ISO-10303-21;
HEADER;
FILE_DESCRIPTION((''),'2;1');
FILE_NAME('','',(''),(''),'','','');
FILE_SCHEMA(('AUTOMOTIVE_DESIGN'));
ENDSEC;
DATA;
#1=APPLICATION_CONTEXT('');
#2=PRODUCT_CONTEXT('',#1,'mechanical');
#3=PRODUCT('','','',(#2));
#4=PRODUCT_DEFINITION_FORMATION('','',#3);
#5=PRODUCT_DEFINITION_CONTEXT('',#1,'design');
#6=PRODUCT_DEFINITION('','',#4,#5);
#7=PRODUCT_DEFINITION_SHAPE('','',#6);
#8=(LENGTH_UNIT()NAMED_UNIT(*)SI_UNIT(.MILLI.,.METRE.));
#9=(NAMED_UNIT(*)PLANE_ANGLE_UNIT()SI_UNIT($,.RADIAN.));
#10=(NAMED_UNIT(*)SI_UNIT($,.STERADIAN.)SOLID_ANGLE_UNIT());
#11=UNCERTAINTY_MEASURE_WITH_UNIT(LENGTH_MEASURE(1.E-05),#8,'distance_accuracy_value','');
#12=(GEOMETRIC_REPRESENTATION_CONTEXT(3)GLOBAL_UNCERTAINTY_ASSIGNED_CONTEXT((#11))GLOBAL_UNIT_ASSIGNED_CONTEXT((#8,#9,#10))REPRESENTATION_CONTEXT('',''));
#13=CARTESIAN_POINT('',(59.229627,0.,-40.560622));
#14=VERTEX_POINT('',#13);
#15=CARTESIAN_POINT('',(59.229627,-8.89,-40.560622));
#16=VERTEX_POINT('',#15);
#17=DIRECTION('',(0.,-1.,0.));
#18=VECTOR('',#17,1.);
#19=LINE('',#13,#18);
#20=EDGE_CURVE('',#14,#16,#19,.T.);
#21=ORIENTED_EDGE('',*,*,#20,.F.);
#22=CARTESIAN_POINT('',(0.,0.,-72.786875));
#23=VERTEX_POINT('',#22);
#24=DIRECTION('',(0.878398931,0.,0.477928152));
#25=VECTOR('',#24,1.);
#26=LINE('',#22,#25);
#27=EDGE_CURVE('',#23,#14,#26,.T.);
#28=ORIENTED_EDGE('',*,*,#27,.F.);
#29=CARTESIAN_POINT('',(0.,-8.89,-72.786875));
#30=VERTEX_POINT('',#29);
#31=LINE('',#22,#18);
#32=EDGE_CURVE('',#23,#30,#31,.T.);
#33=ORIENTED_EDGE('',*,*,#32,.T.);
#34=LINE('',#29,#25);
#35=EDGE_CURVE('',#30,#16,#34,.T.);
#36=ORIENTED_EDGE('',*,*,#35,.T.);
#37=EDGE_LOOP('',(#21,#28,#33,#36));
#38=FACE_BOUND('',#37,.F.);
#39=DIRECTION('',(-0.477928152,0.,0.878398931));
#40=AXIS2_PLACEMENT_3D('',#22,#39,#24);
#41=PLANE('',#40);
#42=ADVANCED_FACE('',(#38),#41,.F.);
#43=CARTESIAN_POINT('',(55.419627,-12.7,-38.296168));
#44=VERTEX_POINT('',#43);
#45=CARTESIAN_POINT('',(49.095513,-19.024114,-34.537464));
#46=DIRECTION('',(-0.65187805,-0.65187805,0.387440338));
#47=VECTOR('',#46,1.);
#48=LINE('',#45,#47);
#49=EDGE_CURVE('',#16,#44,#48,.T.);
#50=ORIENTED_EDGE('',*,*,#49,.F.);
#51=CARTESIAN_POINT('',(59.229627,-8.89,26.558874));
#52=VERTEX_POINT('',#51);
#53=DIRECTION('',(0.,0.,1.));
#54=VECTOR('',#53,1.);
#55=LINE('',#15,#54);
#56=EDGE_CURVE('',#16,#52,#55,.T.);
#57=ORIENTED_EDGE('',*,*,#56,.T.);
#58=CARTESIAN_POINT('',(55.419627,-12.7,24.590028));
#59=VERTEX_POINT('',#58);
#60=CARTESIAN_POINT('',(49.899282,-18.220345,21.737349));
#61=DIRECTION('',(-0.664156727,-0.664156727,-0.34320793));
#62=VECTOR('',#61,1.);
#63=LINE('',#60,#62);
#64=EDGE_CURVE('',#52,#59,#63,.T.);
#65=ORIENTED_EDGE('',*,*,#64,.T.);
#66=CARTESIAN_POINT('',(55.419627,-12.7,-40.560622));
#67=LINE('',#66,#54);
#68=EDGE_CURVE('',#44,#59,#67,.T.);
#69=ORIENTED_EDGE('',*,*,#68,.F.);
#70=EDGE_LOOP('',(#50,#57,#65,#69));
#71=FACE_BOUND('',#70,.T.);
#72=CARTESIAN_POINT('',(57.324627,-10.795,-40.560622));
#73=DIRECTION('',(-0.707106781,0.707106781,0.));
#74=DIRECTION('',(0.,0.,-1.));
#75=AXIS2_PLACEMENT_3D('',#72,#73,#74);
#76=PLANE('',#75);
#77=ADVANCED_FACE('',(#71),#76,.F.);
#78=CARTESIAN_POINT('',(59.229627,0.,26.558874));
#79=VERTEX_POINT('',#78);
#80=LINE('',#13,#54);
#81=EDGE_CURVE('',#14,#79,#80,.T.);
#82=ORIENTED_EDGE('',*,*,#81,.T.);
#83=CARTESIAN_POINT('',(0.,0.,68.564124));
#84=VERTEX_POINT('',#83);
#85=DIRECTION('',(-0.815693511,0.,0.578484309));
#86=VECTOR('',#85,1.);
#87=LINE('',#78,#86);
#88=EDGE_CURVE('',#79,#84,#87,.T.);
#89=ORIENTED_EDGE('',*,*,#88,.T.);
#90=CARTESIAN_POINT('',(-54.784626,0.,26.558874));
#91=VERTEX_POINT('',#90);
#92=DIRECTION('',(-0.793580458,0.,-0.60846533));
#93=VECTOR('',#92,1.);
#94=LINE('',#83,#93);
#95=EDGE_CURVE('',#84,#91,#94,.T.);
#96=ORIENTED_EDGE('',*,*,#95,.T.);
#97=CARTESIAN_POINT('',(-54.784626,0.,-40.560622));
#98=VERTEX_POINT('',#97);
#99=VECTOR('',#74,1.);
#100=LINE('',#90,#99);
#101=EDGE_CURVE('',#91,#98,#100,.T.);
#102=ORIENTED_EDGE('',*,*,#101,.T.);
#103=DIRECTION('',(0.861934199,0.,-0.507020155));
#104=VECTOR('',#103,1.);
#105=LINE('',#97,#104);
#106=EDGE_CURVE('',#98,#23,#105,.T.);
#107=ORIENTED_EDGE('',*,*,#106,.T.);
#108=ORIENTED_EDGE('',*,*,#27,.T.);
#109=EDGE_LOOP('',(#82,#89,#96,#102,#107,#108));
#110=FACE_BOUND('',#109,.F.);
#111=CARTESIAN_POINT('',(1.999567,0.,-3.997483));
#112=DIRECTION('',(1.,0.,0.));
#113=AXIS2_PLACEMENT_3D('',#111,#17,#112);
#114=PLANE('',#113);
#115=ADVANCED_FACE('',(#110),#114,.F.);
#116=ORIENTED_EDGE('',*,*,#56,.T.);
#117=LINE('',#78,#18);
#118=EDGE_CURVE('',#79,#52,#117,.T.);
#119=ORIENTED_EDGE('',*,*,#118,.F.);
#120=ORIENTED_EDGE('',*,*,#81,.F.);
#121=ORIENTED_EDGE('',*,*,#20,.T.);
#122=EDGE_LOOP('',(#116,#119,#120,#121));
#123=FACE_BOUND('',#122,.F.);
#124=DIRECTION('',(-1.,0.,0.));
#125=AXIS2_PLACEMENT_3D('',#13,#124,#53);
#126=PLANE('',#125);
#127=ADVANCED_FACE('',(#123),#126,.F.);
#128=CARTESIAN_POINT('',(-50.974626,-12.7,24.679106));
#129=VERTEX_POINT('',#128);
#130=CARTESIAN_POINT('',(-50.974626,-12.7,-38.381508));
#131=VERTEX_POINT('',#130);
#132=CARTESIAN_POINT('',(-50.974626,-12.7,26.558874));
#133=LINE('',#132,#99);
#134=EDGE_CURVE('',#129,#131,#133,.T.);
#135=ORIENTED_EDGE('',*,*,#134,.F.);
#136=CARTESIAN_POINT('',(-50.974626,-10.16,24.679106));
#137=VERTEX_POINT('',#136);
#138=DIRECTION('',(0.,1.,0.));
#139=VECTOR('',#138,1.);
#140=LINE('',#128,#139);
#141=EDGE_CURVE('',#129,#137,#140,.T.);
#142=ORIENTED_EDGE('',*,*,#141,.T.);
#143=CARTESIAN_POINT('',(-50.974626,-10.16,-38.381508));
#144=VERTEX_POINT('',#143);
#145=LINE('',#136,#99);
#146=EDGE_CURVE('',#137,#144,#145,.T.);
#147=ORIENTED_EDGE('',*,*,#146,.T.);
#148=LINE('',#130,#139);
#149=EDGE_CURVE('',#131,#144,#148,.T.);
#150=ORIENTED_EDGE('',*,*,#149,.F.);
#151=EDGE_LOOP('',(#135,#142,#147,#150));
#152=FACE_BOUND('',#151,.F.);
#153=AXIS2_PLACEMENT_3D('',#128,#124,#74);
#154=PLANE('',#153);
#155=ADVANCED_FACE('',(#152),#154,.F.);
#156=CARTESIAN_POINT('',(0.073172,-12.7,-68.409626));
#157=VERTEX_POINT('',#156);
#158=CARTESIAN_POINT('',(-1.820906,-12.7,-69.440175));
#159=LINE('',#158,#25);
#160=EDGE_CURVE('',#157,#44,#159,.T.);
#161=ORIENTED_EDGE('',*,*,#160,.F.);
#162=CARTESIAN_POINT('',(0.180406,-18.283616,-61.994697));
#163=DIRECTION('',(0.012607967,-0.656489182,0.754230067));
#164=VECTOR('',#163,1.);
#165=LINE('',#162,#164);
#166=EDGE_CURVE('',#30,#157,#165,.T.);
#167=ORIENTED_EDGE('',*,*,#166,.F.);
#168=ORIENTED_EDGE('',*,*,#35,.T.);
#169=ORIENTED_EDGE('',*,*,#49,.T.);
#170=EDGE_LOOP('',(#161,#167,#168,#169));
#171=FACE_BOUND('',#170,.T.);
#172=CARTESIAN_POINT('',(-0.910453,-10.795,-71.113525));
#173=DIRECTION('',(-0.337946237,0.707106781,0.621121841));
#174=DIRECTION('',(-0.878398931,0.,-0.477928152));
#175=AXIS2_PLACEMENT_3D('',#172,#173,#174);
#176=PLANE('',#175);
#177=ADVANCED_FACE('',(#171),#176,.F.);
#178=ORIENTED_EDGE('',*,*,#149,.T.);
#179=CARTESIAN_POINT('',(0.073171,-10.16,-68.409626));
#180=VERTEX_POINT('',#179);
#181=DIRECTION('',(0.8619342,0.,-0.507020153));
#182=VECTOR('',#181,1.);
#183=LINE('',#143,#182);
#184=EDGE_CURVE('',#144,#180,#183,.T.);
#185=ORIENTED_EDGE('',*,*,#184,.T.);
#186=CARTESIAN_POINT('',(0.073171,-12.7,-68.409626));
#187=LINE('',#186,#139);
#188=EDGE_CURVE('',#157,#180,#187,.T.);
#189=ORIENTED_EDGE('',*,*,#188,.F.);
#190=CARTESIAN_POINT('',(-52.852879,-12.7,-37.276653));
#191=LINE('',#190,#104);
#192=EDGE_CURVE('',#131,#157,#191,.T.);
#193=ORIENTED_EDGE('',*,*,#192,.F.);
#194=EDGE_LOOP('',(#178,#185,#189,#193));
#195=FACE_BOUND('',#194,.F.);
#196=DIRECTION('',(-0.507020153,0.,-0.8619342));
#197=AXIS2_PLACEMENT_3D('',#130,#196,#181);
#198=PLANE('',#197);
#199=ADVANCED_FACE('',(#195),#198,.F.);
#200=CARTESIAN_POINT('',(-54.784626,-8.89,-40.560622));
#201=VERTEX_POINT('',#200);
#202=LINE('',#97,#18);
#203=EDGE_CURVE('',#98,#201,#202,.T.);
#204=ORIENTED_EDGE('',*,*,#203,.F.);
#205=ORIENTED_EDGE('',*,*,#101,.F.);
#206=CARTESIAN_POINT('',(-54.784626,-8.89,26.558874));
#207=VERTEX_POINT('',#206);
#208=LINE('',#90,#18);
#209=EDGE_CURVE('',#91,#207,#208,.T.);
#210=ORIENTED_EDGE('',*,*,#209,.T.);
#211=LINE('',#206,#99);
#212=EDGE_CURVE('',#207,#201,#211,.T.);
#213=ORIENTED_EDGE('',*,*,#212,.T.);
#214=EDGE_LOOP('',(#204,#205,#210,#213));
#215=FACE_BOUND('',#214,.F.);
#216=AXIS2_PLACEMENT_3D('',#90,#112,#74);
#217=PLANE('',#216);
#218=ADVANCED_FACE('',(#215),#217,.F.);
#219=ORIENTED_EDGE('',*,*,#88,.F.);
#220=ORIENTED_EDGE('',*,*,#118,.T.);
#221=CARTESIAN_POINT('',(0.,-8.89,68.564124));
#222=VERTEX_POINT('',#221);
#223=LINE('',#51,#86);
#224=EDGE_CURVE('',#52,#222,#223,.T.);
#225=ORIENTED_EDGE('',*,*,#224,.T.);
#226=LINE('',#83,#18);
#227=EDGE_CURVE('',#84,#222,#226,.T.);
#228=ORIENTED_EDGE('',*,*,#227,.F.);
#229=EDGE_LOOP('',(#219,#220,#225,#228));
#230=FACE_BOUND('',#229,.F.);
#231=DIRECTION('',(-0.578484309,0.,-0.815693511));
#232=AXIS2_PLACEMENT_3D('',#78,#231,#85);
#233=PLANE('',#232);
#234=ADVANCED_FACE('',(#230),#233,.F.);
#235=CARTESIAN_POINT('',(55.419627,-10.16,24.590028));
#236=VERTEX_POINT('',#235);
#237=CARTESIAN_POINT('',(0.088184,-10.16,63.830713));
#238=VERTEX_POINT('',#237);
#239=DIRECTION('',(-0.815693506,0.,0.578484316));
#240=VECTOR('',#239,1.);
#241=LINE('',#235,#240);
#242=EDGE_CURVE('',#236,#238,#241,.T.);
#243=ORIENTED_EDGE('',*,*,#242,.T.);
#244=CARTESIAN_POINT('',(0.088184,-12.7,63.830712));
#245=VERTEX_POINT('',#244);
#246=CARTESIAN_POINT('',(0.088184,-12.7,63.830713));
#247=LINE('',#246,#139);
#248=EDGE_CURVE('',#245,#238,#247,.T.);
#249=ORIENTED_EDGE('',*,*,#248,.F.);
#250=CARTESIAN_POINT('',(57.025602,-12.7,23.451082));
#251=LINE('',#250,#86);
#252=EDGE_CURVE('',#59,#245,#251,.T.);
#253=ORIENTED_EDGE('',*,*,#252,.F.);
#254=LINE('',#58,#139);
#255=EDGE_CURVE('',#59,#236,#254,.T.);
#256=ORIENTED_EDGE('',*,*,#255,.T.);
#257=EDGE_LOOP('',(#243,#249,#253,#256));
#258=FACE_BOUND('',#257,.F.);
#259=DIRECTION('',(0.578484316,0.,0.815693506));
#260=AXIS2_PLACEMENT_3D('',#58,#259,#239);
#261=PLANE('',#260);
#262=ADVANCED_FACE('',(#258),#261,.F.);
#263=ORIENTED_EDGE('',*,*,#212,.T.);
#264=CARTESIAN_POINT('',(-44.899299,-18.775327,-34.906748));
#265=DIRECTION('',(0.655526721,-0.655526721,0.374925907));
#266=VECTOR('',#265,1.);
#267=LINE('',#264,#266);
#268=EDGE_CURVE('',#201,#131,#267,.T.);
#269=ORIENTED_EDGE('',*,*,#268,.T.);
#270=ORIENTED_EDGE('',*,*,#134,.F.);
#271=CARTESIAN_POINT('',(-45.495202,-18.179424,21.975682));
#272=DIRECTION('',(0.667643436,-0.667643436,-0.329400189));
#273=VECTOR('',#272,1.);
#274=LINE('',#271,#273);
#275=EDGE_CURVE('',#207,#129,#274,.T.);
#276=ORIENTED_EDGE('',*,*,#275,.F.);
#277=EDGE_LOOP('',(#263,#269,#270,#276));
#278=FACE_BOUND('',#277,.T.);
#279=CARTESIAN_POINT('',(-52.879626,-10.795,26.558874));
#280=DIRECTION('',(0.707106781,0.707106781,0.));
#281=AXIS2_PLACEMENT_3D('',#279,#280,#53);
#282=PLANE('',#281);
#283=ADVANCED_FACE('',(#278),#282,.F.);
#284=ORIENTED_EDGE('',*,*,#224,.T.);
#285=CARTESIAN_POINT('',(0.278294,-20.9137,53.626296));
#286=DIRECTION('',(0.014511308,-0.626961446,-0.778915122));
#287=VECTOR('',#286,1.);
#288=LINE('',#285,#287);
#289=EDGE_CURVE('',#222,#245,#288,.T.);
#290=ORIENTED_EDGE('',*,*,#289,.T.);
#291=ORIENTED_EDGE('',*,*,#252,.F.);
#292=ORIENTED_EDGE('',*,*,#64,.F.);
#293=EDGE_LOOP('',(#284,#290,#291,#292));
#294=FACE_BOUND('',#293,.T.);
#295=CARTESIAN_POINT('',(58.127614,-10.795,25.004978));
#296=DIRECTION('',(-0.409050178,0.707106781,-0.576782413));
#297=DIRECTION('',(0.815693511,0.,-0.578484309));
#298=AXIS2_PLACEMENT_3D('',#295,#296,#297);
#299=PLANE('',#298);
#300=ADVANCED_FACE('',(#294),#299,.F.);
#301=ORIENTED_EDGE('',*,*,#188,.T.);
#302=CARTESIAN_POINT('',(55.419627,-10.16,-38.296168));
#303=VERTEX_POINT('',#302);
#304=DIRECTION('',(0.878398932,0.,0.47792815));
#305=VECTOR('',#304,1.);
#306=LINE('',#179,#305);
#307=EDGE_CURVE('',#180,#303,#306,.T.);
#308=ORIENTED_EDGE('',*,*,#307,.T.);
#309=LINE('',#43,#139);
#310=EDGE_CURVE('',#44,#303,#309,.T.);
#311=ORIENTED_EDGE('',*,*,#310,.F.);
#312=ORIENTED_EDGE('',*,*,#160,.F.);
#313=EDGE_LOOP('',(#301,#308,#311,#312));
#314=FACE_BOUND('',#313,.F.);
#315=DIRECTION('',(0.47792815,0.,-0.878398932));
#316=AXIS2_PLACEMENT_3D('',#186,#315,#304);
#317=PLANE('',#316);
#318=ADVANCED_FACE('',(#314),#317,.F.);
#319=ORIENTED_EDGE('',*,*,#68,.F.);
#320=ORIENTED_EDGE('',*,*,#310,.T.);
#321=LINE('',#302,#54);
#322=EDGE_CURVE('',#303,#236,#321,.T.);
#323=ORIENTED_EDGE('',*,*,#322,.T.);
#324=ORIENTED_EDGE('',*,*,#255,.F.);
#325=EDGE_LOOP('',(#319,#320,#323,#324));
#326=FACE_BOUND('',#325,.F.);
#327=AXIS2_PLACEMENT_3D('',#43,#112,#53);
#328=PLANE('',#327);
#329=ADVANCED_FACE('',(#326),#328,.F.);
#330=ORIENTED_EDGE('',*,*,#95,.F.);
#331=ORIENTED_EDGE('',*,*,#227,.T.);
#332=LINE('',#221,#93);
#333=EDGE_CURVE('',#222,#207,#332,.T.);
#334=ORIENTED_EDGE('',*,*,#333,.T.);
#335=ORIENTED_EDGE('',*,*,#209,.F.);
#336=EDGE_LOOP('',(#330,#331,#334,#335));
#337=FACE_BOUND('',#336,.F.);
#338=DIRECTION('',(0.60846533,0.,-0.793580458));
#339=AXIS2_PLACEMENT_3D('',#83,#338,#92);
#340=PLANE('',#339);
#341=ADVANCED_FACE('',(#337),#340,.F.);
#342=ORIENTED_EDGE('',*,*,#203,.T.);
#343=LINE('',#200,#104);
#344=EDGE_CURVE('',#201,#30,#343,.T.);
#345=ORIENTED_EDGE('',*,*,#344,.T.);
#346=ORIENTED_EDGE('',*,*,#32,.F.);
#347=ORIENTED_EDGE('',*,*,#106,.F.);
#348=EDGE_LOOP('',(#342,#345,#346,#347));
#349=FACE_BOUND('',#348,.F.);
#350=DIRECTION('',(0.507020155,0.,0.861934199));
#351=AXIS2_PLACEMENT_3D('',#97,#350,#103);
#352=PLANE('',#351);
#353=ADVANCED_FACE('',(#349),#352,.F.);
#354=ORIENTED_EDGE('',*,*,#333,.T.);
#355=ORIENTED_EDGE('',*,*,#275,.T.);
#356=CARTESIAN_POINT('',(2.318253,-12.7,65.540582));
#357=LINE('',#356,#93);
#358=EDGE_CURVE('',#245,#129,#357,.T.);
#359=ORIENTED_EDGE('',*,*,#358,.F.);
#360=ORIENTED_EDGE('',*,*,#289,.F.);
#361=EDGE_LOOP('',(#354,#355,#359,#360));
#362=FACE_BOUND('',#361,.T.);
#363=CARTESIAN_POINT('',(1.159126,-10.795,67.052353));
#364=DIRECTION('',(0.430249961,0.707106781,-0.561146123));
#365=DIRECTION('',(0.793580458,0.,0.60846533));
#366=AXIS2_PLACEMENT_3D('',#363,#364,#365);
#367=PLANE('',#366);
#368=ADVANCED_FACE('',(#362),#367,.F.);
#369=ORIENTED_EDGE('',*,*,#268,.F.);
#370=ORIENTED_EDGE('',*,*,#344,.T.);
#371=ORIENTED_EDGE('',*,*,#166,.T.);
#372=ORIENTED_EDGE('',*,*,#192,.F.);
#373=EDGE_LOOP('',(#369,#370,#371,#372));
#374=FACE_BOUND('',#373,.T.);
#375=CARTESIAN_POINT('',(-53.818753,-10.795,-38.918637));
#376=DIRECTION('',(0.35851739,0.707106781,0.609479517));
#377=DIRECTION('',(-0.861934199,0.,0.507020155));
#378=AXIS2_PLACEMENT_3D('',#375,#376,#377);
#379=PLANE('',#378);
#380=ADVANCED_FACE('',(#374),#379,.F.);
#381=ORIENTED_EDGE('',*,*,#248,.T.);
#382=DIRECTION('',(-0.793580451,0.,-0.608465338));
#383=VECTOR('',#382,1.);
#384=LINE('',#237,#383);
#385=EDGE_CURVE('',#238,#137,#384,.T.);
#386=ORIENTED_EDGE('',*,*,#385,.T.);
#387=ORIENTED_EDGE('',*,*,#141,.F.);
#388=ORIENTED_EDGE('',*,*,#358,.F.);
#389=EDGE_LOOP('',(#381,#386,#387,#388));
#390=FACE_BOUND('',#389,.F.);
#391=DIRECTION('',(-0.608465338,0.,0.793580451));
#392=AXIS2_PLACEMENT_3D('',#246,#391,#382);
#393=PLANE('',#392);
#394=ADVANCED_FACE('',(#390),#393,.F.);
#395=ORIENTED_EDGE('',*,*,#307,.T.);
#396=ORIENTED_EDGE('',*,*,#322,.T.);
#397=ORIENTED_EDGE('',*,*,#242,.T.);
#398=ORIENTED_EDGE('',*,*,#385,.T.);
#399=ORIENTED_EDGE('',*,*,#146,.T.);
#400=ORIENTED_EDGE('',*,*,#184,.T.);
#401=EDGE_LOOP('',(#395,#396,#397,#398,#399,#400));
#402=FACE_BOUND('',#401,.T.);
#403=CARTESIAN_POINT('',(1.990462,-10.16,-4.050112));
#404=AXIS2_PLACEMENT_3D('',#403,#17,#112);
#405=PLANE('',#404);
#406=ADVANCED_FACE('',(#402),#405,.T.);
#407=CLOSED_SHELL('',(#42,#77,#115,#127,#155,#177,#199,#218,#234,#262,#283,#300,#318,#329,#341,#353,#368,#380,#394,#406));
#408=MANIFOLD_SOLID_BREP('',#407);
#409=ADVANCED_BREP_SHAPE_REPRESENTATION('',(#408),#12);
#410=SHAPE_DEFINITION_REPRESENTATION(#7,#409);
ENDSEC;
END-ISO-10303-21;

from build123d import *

# Parameters (mm, degrees)
F1_DEPTH = 12.7
F2_SIZE  = 3.81
F3_DEPTH = 2.54


with BuildPart() as f1:
    # F0 (on Front) → F1 (new body)
    with BuildSketch(Plane.XZ):
        Polygon((59.229627, 26.558874), (0, 68.564124), (-54.784626, 26.558874), (-54.784626, -40.560622), (0, -72.786875), (59.229627, -40.560622), align=None)
    extrude(amount=F1_DEPTH)

    # F2
    f2_edges = [f1.edges().sort_by_distance(p)[0] for p in [
        (59.229627, -12.7, -7.000874),
        (29.614814, -12.7, 47.561499),
        (-27.392313, -12.7, 47.561499),
        (-54.784626, -12.7, -7.000874),
        (-27.392313, -12.7, -56.673748),
        (29.614814, -12.7, -56.673748),
    ]]
    chamfer(f2_edges, length=F2_SIZE)

    # F1_face (on face) → F3 (cut)
    with BuildSketch(Plane(origin=(1.953457, -12.7, -4.300965), x_dir=(1, 0, 0), z_dir=(0, -1, 0))):
        Polygon((53.46617, -33.995203), (53.46617, 28.890993), (-1.865273, 68.131678), (-52.928083, 28.980071), (-52.928083, -34.080543), (-1.880286, -64.108661), align=None)
    extrude(amount=-F3_DEPTH, mode=Mode.SUBTRACT)


solid = f1.part
